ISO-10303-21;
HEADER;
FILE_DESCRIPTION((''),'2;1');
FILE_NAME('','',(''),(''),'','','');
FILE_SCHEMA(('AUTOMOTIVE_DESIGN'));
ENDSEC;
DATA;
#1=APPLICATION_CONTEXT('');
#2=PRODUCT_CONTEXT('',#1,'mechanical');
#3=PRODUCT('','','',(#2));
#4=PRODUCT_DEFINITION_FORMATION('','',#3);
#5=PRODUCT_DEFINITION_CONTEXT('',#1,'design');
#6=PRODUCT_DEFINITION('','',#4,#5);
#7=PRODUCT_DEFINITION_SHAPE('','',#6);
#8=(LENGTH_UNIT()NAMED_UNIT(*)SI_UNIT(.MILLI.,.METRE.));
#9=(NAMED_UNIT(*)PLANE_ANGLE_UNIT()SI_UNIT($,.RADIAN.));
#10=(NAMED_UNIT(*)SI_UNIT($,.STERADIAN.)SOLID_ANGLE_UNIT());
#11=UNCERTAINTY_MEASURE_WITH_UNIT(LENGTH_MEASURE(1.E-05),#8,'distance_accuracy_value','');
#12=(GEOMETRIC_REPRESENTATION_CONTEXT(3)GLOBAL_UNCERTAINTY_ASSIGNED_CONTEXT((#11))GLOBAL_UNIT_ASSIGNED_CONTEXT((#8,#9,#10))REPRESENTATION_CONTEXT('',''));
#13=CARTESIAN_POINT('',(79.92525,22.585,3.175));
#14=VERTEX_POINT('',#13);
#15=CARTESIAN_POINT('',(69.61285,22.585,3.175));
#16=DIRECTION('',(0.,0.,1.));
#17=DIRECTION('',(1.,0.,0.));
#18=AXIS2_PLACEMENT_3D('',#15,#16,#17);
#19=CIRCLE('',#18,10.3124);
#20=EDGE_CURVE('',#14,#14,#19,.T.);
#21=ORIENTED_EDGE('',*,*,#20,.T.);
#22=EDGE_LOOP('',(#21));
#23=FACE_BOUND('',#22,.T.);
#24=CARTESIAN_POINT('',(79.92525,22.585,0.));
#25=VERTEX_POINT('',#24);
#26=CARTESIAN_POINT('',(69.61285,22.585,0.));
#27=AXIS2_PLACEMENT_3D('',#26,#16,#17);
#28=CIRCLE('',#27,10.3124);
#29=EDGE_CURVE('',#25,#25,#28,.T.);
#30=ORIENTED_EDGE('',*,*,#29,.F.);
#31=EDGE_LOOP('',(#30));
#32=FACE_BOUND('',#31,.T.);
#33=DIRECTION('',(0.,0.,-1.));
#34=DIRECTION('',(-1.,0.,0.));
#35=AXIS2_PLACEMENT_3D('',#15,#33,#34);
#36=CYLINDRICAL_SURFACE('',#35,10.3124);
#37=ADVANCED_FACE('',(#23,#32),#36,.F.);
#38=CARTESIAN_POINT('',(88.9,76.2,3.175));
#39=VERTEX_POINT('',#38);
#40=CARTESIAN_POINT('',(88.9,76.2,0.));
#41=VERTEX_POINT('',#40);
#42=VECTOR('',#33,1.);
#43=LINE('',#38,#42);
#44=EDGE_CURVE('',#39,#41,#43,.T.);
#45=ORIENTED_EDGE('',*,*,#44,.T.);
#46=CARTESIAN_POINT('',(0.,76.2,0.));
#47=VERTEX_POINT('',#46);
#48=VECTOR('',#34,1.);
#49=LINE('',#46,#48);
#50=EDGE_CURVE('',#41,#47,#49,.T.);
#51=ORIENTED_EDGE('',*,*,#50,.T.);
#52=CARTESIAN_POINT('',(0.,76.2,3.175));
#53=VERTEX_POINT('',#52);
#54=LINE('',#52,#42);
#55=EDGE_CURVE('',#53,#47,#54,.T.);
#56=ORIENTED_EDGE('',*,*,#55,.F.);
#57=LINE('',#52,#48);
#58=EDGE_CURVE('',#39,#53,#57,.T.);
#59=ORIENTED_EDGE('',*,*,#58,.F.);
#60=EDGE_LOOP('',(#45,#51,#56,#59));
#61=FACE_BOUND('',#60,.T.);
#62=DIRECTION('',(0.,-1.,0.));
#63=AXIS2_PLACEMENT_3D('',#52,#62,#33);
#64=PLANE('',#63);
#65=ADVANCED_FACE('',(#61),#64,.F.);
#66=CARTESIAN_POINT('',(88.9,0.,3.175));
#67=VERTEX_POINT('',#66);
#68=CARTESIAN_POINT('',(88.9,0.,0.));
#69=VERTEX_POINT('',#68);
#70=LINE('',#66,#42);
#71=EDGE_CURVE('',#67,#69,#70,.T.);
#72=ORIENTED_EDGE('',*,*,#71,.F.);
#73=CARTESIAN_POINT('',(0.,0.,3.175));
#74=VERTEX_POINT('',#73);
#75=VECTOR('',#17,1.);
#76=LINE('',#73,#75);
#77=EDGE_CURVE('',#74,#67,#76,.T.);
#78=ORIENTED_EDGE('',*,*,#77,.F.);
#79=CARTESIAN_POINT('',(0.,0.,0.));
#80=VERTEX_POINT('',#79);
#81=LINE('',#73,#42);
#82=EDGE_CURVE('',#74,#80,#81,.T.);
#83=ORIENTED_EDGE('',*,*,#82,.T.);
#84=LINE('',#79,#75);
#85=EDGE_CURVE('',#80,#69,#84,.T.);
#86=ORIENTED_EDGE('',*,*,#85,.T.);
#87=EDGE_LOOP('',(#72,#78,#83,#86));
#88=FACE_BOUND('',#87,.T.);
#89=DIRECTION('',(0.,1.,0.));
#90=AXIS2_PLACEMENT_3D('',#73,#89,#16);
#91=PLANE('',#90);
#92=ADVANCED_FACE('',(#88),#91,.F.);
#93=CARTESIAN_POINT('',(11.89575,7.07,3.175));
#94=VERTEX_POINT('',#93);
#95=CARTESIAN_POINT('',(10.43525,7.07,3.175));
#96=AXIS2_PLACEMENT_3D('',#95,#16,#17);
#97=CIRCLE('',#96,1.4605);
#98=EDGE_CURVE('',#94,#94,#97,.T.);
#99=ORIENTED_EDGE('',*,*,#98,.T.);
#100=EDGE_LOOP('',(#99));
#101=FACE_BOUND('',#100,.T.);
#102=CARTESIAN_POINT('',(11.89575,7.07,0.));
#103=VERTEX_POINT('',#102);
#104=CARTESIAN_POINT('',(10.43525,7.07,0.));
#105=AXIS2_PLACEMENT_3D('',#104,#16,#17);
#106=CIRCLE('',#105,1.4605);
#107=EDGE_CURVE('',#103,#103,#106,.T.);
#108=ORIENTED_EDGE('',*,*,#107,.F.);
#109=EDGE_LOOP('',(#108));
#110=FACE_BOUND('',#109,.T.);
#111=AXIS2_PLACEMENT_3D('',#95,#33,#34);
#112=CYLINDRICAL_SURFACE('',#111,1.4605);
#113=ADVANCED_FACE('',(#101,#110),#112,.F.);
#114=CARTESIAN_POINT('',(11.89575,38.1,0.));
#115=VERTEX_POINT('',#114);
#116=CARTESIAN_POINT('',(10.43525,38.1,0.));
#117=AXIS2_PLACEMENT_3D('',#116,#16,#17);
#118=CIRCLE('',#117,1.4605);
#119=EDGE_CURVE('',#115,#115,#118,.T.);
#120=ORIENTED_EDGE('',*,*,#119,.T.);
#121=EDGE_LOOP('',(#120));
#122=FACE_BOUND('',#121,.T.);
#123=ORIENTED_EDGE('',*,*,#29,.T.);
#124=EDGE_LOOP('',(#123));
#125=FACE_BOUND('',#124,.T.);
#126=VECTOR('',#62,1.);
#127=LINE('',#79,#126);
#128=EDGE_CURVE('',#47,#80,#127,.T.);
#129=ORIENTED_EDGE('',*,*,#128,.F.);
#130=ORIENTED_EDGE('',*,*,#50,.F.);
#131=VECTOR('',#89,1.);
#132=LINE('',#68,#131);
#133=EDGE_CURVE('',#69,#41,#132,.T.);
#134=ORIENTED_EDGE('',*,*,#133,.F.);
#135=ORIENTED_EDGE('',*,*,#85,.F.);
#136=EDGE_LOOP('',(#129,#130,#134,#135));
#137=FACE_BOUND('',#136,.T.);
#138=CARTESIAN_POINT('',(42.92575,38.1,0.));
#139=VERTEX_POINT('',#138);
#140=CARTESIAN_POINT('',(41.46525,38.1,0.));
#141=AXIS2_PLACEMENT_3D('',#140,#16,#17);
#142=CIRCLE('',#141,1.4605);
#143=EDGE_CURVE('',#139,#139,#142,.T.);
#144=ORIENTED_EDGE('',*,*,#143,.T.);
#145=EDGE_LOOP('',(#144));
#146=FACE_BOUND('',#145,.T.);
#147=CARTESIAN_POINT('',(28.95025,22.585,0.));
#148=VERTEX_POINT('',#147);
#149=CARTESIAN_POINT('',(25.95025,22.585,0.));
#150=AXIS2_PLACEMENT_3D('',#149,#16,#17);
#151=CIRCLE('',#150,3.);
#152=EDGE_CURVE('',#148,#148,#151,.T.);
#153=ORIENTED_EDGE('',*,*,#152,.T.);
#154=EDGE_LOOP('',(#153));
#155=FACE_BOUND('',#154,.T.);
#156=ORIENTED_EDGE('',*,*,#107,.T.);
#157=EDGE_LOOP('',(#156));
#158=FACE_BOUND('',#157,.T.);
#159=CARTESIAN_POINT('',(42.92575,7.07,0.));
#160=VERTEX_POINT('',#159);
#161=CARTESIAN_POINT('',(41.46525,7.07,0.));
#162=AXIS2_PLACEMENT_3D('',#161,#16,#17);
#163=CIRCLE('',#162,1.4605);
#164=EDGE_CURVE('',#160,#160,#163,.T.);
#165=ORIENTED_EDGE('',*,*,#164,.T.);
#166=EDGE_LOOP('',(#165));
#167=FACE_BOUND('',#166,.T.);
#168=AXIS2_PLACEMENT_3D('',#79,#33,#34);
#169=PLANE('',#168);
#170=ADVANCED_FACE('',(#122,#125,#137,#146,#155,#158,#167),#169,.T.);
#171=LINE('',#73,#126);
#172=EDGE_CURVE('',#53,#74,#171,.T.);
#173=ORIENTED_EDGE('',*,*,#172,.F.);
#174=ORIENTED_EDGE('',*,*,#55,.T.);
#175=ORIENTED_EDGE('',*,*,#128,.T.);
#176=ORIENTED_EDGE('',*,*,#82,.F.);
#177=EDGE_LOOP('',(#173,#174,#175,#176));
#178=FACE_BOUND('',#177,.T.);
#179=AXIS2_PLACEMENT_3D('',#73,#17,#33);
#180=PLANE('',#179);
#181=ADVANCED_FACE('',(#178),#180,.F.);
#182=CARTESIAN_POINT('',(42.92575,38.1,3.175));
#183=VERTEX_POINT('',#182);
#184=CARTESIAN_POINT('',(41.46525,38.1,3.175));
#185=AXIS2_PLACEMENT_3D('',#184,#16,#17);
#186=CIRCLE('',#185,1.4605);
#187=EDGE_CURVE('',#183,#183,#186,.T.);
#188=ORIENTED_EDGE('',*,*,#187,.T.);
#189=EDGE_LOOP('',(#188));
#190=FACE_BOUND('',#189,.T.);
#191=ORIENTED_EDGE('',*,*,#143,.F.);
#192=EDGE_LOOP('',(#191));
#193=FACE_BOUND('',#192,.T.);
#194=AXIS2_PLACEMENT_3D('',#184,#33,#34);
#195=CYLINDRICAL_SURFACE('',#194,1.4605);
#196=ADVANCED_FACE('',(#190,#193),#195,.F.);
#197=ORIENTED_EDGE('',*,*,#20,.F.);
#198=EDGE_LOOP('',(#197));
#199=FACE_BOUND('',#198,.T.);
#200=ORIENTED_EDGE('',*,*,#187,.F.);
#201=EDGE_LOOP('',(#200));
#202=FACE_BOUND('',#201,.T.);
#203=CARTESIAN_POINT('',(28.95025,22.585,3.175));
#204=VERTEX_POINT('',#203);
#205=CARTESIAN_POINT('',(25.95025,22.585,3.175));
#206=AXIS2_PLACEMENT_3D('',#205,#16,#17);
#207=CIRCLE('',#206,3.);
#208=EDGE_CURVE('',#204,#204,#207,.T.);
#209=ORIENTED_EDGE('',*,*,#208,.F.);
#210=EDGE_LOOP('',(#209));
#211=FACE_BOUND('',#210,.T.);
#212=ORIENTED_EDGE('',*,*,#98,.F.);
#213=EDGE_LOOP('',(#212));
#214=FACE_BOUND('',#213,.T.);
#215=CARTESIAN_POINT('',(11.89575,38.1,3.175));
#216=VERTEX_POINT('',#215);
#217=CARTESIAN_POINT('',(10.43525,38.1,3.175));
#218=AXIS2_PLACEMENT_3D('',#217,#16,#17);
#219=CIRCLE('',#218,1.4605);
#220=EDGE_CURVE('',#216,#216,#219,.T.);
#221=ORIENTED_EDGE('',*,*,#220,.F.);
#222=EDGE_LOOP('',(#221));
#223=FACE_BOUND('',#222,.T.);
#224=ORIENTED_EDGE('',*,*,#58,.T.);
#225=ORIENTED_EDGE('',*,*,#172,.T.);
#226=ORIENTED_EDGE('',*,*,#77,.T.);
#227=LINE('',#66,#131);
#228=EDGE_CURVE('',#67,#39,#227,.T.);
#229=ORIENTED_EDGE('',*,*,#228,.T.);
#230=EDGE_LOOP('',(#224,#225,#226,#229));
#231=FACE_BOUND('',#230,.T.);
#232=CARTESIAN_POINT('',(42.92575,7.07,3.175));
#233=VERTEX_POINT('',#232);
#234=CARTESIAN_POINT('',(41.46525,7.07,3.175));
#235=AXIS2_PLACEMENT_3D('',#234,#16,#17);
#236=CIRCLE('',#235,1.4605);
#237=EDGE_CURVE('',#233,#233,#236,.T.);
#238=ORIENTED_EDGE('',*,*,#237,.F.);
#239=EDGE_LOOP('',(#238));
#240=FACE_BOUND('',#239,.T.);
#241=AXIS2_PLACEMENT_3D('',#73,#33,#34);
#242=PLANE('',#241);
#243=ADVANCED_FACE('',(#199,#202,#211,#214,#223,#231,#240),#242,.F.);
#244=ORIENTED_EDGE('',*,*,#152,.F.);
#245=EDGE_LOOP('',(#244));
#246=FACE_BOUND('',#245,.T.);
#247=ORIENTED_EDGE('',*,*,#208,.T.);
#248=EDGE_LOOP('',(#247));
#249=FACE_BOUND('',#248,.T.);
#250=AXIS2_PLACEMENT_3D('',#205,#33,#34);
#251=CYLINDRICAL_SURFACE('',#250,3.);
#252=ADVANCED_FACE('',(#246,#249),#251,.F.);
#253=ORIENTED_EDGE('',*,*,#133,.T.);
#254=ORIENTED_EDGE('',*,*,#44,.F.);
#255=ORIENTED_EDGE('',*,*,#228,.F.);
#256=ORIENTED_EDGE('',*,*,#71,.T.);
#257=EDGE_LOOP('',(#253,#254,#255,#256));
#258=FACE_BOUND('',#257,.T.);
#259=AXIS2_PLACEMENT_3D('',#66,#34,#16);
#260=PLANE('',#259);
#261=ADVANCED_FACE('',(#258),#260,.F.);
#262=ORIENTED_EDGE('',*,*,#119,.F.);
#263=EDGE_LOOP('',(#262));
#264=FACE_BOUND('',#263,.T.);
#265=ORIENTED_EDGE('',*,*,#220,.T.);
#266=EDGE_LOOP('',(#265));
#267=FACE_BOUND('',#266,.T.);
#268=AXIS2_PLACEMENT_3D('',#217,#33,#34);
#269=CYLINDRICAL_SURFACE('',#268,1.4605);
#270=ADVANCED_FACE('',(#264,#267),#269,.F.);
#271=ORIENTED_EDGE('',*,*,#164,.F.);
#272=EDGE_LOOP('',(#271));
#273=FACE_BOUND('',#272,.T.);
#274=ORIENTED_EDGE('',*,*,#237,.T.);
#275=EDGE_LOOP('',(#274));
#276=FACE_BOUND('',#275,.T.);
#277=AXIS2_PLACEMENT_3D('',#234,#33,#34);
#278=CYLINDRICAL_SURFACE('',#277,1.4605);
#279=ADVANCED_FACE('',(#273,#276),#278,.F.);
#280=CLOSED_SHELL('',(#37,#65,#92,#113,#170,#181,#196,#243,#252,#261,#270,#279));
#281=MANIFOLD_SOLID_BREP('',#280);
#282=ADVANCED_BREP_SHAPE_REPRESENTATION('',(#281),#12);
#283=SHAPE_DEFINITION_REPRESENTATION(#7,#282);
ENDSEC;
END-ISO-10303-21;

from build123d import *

# Parameters (mm, degrees)
SKETCH1_W           = 88.9
SKETCH1_H           = 76.2
SKETCH1_R           = 1.4605
SKETCH1_R_2         = 3
SKETCH1_R_3         = 10.3124
BOSS_EXTRUDE1_DEPTH = 3.175


with BuildPart() as part:
    # Sketch1 → Boss-Extrude1 (new body)
    with BuildSketch(Plane.XY):
        with Locations((44.45, 38.1)):
            Rectangle(SKETCH1_W, SKETCH1_H)
        with Locations((10.43525, 38.1)):
            Circle(SKETCH1_R, mode=Mode.SUBTRACT)
        with Locations((41.46525, 38.1)):
            Circle(SKETCH1_R, mode=Mode.SUBTRACT)
        with Locations((41.46525, 7.07)):
            Circle(SKETCH1_R, mode=Mode.SUBTRACT)
        with Locations((10.43525, 7.07)):
            Circle(SKETCH1_R, mode=Mode.SUBTRACT)
        with Locations((25.95025, 22.585)):
            Circle(SKETCH1_R_2, mode=Mode.SUBTRACT)
        with Locations((69.61285, 22.585)):
            Circle(SKETCH1_R_3, mode=Mode.SUBTRACT)
    extrude(amount=BOSS_EXTRUDE1_DEPTH)


solid = part.part
